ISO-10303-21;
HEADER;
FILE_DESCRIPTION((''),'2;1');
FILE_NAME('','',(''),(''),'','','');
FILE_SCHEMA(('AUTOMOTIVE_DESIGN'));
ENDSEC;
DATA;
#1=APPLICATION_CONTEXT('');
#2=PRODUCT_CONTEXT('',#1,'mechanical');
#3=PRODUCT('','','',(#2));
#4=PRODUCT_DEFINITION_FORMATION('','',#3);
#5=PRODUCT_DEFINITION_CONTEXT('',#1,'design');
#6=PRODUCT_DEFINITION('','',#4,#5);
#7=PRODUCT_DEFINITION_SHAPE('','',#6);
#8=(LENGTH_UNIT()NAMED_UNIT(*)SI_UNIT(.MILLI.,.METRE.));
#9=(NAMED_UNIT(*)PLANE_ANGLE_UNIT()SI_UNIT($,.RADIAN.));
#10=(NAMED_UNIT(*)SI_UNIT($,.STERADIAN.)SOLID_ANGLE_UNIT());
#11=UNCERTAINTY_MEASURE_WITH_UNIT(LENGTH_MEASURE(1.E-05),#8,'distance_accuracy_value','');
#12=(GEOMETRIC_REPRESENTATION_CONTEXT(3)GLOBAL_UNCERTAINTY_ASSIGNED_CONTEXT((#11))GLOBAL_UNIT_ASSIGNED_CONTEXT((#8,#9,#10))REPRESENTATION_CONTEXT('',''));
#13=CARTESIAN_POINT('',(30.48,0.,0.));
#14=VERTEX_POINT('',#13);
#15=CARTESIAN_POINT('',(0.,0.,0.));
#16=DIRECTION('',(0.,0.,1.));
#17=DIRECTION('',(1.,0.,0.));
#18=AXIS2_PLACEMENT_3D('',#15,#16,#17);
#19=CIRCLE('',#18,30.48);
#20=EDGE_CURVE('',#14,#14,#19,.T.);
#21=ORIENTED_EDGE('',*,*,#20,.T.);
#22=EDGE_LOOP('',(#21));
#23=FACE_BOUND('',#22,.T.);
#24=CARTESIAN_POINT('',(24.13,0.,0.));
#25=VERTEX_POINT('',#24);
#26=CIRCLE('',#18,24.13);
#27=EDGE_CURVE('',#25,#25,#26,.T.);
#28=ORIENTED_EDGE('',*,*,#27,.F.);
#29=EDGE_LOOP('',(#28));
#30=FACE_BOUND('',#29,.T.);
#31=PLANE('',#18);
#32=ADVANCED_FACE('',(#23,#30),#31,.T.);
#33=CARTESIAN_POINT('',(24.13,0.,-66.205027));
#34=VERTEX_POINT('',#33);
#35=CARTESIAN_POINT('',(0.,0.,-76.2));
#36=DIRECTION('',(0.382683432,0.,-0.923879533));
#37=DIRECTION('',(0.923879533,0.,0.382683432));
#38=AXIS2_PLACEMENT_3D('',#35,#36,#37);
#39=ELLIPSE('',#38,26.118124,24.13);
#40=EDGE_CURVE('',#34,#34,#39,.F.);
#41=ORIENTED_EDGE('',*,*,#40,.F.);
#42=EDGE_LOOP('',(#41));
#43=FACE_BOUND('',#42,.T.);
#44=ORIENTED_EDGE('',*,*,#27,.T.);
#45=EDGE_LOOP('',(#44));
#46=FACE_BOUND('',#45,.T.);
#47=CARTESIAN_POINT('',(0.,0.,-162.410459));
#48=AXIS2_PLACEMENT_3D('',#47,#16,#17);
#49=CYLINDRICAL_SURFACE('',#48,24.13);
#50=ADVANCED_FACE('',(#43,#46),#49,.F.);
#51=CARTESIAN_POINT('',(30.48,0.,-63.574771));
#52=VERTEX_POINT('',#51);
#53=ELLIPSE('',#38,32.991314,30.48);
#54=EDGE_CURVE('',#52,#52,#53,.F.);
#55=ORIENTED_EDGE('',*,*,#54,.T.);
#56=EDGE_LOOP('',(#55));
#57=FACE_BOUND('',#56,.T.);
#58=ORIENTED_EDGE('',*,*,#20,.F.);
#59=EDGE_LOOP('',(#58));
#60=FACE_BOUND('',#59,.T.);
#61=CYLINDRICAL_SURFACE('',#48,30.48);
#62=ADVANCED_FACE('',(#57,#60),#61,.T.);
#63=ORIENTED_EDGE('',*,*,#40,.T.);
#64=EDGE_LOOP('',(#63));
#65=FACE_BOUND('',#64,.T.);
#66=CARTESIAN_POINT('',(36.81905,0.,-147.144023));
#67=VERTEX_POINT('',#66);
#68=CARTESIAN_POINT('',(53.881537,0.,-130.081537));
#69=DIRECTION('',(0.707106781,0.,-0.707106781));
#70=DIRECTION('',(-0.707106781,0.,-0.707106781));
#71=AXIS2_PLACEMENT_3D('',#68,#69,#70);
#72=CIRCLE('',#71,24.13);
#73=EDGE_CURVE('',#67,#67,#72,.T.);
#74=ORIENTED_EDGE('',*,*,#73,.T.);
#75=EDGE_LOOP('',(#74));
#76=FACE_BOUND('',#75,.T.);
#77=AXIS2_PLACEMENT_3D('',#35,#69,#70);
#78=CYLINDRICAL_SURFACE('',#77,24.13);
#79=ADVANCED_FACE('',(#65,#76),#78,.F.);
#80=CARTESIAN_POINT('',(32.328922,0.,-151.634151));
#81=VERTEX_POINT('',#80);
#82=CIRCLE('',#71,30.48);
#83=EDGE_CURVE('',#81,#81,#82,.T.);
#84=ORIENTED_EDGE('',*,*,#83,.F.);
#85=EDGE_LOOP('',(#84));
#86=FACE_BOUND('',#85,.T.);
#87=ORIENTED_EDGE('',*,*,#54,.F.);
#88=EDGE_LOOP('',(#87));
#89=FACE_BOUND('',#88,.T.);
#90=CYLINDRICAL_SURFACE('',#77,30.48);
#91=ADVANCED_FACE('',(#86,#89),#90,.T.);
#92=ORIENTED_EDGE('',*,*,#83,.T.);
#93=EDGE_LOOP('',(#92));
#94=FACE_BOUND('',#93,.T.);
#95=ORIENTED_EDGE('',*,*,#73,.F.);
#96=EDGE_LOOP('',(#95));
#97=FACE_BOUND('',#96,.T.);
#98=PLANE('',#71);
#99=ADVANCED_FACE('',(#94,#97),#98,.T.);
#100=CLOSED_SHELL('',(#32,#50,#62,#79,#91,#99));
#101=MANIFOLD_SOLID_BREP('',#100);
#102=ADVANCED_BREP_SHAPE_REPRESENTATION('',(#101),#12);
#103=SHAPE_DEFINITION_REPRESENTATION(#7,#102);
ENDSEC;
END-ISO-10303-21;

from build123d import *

# Parameters (mm, degrees)
SKETCH3_R   = 30.48
SKETCH3_R_2 = 24.13


with BuildPart() as part:
    # Sweep1: sweep along a path in Sketch2
    with BuildLine(Plane(origin=(0, 0, 0), x_dir=(1, 0, 0), z_dir=(0, 1, 0))) as sweep1_path:
        Line((0, 0), (0, 76.2))
        Line((0, 76.2), (53.881536726, 130.081536726))
    # Sketch3 → Sweep1 (sweep)
    with BuildSketch(Plane.XY):
        Circle(SKETCH3_R)
        Circle(SKETCH3_R_2, mode=Mode.SUBTRACT)
    sweep(path=sweep1_path.line, transition=Transition.RIGHT)


solid = part.part
